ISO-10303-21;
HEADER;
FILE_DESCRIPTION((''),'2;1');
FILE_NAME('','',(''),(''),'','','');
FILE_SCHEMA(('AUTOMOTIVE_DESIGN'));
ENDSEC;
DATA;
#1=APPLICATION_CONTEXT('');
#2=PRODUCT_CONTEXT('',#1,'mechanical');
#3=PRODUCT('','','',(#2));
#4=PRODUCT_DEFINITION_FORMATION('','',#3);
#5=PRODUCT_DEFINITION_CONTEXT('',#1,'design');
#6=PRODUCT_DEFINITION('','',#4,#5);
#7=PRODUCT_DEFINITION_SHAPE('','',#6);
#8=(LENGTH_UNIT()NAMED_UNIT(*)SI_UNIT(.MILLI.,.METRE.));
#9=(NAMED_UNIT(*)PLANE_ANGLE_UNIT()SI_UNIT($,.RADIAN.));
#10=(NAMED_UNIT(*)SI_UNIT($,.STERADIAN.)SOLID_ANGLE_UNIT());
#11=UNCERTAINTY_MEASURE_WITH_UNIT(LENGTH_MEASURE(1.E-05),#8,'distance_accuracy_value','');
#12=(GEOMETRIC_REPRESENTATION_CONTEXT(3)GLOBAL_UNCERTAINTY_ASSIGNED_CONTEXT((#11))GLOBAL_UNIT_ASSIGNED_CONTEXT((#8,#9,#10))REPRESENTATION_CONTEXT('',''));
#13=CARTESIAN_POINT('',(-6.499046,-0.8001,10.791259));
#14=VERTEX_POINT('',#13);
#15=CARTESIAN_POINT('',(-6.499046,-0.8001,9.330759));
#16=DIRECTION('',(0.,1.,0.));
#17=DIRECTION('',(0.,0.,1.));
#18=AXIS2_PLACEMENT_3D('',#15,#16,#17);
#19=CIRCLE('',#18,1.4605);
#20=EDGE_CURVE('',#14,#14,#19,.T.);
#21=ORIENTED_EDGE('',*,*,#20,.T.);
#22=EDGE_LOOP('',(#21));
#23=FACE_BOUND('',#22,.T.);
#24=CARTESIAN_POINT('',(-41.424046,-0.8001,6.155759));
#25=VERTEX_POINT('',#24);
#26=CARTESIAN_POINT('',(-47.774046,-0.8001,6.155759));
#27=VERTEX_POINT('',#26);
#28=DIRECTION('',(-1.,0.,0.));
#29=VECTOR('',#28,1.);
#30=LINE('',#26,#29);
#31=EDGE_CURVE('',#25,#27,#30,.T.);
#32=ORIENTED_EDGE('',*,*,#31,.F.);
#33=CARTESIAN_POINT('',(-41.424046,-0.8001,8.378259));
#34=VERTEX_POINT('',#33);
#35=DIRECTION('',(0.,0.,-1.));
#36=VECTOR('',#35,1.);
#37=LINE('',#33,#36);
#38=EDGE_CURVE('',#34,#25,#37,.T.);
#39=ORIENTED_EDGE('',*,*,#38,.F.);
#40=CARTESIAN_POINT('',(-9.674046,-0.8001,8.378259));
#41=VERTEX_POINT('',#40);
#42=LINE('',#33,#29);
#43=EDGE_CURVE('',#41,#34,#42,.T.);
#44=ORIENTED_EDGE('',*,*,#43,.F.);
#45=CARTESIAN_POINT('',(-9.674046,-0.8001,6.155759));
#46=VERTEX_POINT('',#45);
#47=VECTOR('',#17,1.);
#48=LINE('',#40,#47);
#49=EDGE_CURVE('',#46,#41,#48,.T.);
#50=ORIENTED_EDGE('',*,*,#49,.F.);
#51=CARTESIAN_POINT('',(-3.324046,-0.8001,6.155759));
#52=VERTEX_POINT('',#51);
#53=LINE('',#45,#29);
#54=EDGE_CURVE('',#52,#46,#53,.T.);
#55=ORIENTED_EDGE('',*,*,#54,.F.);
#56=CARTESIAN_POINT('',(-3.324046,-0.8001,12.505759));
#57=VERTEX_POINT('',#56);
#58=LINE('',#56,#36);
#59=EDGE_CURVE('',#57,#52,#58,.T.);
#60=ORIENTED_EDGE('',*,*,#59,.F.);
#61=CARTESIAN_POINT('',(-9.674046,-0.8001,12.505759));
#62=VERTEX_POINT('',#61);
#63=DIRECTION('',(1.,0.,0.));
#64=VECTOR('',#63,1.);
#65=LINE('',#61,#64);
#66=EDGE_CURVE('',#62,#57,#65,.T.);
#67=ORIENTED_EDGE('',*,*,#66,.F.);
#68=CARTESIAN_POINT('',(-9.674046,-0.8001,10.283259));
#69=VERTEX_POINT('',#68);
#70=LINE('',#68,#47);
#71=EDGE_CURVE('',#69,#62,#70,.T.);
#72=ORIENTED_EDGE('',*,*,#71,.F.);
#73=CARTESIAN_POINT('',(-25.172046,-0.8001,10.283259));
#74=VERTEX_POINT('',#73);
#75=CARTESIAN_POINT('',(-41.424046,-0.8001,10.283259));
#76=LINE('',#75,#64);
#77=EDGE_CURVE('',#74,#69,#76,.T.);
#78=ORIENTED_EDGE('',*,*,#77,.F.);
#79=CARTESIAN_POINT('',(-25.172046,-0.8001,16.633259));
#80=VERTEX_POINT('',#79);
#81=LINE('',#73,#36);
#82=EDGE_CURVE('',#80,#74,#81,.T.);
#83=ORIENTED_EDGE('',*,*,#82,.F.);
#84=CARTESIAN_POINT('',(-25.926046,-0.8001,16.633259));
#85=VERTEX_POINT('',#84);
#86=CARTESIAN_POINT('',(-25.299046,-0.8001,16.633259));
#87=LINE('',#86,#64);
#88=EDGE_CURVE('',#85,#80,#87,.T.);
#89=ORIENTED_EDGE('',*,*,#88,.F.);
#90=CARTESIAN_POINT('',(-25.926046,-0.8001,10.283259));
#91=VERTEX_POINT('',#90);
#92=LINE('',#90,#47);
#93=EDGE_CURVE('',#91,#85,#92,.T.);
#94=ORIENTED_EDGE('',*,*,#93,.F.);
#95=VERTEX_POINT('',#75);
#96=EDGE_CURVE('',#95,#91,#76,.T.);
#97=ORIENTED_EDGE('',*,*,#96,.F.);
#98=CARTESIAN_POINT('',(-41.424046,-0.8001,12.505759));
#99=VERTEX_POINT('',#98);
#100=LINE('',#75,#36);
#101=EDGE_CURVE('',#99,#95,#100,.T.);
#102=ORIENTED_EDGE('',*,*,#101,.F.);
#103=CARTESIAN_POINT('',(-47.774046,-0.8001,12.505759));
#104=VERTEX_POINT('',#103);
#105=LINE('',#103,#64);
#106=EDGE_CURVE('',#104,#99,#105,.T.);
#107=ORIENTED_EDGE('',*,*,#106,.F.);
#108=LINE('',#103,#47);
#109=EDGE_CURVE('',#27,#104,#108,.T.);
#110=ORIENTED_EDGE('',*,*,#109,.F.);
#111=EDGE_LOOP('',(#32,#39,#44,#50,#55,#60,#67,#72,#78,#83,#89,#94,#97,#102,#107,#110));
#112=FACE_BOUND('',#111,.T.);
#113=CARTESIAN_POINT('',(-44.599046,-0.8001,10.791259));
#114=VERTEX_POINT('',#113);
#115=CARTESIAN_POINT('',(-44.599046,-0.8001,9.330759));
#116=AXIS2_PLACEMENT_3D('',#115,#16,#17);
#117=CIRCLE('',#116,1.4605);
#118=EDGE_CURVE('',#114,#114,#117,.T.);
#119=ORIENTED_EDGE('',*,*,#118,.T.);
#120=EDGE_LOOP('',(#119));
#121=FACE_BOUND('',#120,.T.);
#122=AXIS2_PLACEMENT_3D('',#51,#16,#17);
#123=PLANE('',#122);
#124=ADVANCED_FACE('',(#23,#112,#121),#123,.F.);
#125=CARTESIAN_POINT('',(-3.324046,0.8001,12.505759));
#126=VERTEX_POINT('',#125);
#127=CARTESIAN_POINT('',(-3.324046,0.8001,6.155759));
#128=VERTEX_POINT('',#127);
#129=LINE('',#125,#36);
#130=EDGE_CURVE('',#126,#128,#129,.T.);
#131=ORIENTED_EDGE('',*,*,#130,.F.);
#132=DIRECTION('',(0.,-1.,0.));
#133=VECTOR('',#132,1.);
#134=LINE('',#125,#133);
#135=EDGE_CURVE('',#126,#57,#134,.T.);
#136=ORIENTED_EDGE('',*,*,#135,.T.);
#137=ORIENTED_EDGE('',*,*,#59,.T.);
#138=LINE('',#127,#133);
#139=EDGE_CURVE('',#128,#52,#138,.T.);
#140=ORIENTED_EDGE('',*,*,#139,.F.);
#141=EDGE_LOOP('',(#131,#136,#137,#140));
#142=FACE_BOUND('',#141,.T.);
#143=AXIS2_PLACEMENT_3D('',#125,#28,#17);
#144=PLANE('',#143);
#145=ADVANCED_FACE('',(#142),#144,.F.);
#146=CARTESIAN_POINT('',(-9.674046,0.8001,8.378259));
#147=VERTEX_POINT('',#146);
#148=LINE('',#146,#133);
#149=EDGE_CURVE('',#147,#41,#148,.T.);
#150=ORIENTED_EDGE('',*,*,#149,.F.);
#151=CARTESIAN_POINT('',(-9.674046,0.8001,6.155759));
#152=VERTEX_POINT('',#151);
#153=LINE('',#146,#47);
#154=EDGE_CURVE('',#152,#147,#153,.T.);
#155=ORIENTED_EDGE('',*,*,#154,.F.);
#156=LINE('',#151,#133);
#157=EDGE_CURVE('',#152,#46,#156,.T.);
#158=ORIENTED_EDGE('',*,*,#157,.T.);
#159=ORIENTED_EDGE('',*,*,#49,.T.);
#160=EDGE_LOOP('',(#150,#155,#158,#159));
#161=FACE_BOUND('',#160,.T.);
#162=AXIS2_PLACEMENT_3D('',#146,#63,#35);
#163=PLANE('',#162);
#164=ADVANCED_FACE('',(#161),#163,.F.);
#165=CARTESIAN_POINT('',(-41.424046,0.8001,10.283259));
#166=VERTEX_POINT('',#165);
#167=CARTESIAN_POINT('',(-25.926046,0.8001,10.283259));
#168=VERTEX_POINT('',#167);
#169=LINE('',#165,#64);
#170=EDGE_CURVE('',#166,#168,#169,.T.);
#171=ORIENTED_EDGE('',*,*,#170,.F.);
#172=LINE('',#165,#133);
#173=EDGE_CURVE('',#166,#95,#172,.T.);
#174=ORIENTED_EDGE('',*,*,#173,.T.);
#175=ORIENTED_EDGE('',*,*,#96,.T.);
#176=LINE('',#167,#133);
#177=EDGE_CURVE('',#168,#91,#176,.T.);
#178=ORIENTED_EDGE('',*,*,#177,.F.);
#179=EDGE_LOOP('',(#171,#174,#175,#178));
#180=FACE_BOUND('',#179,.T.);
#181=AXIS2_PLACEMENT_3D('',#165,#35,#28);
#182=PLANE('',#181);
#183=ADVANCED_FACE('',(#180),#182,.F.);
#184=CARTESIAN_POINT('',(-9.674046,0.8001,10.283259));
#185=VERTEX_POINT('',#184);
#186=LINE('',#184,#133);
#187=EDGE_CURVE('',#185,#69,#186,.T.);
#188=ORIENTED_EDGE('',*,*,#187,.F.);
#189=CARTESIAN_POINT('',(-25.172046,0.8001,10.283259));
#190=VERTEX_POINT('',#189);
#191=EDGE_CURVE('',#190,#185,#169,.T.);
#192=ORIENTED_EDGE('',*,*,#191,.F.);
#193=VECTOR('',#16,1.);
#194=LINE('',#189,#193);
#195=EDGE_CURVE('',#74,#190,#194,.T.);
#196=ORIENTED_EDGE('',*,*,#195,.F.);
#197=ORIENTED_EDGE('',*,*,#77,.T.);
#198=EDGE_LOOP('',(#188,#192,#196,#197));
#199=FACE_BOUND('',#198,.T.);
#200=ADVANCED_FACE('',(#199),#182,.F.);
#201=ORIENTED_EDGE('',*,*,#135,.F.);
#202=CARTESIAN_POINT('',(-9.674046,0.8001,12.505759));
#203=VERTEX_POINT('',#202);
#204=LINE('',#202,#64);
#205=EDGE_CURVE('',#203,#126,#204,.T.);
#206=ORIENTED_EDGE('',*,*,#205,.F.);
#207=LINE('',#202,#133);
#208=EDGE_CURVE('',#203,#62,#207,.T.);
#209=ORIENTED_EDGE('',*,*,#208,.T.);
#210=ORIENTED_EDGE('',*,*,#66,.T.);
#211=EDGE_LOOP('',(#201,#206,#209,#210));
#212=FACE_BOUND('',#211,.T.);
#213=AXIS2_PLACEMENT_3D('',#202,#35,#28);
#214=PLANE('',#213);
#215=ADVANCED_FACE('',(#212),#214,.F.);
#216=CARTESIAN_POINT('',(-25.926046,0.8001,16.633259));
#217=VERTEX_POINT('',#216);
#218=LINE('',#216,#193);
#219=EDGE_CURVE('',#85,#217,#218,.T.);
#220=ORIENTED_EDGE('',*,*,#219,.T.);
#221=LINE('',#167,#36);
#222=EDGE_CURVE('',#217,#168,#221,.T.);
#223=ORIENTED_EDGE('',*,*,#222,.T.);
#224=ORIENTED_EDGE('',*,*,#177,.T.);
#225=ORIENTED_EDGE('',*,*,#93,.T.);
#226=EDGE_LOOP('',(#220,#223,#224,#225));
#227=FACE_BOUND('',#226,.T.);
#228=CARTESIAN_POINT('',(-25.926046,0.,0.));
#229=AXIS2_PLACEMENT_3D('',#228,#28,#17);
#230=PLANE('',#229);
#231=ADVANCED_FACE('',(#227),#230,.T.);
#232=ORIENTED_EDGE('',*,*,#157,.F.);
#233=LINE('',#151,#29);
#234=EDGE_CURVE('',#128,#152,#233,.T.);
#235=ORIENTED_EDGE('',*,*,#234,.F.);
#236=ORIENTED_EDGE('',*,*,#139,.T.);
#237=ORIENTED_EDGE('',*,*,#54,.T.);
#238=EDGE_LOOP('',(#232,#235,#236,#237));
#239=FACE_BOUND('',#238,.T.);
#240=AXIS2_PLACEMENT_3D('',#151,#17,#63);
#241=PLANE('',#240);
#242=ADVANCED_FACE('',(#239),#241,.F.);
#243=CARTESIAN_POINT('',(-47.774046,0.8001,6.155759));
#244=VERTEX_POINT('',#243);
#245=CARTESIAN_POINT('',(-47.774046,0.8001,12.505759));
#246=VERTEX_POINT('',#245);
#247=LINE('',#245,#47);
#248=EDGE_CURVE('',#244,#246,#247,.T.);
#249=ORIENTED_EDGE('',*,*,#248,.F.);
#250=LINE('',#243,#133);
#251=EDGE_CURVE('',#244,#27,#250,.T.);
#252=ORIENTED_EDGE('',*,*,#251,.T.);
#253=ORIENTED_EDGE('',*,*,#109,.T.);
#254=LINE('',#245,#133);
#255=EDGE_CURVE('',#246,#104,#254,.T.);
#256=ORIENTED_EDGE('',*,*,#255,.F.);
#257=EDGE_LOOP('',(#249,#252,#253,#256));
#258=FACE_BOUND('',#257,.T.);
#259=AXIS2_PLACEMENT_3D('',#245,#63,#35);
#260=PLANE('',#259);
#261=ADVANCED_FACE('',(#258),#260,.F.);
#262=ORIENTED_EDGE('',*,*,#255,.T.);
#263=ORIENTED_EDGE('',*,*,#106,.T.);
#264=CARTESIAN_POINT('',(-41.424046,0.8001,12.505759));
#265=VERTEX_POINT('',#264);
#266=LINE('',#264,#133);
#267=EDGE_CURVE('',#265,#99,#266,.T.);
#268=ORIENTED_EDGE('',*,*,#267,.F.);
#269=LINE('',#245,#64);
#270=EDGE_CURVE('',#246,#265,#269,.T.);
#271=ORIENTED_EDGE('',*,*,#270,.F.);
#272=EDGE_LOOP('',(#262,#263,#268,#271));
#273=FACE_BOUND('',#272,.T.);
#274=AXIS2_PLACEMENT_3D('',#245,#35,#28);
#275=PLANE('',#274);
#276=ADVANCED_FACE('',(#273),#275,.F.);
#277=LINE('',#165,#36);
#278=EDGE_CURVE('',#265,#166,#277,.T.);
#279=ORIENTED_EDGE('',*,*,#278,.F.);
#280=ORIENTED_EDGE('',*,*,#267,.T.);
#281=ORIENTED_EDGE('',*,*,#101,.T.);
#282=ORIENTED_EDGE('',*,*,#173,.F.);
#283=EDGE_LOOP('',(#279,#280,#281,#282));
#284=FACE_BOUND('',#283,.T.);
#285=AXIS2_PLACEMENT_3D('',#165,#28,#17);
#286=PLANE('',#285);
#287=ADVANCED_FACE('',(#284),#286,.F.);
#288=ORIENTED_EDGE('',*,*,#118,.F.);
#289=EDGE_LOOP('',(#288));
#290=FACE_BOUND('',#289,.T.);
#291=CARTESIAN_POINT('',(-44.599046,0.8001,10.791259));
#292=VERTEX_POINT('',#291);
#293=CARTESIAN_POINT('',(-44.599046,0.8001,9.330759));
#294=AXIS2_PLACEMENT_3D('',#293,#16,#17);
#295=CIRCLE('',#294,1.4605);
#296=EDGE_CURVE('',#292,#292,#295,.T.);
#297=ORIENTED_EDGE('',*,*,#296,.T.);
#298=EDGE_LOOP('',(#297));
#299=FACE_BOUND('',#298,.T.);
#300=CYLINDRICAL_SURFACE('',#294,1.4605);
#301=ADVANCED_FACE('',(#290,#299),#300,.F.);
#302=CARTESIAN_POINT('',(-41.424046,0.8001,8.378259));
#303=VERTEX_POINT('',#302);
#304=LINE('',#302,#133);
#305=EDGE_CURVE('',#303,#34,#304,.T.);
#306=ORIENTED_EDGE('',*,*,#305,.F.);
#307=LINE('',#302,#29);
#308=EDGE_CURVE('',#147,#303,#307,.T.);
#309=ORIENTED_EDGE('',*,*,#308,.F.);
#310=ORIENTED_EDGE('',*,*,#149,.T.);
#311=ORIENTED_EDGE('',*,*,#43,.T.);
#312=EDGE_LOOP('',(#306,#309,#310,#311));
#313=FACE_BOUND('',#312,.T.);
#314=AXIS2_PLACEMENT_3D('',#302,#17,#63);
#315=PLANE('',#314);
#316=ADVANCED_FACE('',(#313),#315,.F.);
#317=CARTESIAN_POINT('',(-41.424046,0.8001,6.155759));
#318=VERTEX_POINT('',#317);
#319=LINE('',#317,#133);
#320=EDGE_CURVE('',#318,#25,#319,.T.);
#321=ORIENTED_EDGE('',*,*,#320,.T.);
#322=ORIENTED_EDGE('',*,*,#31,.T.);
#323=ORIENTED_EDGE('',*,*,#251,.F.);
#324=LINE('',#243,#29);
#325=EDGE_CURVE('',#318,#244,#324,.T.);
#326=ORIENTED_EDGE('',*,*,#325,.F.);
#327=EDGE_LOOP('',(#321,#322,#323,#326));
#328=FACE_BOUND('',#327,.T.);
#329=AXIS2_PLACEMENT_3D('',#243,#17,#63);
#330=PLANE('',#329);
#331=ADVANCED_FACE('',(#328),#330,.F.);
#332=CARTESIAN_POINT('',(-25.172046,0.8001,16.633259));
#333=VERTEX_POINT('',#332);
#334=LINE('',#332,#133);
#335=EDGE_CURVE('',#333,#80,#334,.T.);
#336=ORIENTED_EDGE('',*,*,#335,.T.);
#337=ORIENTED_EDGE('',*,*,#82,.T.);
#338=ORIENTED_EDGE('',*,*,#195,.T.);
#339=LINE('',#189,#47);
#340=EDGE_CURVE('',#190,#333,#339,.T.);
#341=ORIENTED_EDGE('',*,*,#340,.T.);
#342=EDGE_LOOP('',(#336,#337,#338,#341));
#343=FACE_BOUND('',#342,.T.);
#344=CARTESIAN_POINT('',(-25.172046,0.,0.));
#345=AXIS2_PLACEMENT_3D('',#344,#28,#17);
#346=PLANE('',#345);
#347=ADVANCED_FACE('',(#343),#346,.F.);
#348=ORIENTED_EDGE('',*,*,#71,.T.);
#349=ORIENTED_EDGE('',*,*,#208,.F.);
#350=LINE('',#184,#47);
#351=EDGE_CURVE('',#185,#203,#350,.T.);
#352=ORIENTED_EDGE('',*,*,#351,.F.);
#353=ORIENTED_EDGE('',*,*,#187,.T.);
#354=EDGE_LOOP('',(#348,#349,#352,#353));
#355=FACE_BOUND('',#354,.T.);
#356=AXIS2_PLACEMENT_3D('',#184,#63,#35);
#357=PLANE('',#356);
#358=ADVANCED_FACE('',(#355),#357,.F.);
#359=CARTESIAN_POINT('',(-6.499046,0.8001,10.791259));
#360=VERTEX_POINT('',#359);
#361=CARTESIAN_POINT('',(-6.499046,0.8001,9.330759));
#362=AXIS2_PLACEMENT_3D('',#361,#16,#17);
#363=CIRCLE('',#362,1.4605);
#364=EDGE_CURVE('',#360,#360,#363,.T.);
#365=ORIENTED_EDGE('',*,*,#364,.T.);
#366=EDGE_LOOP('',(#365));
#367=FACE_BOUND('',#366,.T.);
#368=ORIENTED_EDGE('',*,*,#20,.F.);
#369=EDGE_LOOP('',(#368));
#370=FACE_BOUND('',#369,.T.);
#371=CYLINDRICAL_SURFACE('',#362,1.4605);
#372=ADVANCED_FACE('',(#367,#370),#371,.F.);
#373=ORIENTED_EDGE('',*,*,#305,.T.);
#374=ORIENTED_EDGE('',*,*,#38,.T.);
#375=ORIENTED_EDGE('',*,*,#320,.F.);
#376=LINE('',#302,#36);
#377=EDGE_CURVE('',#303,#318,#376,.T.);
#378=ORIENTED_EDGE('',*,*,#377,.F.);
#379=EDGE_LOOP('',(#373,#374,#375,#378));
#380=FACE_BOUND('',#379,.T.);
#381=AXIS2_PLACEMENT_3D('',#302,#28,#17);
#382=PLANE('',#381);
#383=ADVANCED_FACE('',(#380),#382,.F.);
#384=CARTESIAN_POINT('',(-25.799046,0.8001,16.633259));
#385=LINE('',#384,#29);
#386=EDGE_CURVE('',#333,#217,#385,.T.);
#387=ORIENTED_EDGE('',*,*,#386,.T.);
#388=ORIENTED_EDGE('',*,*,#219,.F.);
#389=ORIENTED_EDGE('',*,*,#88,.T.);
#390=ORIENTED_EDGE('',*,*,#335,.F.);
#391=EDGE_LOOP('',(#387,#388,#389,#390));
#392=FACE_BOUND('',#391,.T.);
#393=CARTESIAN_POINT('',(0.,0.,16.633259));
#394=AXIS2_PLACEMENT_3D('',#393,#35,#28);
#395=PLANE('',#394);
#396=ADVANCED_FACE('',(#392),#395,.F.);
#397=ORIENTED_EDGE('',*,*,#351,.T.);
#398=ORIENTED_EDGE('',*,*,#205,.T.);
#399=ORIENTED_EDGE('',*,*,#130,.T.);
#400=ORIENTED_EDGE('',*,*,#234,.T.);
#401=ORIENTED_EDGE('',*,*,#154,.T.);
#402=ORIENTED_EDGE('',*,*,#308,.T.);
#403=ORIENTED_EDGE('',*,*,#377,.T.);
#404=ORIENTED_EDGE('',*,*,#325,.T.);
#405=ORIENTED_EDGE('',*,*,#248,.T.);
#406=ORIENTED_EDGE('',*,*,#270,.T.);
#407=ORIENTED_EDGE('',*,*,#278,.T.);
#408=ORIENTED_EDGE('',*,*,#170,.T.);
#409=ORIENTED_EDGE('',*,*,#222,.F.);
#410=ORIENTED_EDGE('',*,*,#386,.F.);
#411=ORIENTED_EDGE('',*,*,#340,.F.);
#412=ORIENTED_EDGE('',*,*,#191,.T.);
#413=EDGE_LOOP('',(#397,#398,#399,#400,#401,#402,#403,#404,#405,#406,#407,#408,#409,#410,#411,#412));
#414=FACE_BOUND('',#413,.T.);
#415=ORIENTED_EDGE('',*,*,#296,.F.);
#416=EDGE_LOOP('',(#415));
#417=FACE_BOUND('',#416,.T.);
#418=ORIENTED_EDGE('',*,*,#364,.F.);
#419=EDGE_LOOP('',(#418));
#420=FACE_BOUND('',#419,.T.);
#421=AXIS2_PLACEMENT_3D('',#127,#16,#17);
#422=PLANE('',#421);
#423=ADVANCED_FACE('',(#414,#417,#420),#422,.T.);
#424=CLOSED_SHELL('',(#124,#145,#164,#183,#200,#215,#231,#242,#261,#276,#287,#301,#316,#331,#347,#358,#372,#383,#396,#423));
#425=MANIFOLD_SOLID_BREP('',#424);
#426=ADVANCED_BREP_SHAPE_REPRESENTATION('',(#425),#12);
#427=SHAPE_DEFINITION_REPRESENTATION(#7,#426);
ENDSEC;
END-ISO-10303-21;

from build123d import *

# Parameters (mm, degrees)
BOSS_EXTRUDE1_DEPTH          = 0.8001
F_97_0_0059_DIAMETER_HOLE1_D = 2.921
SKETCH7_W                    = 0.500000016
SKETCH7_H                    = 1.6002
BOSS_EXTRUDE2_DEPTH          = 6.35
SKETCH11_W                   = 6.35
SKETCH11_H                   = 1.6002
BOSS_EXTRUDE3_DEPTH          = 0.127
SKETCH12_W                   = 6.35
SKETCH12_H                   = 1.6002
BOSS_EXTRUDE4_DEPTH          = 0.127


with BuildPart() as part:
    # Sketch1 → Boss-Extrude1 (new, symmetric)
    with BuildSketch(Plane(origin=(0, 0, 0), x_dir=(1, 0, 0), z_dir=(0, 1, 0))):
        Polygon((-41.424046485, -10.283259465), (-41.424046485, -12.505759465), (-47.774046485, -12.505759465), (-47.774046485, -6.155759465), (-41.424046485, -6.155759465), (-41.424046485, -8.378259465), (-9.674046485, -8.378259465), (-9.674046485, -6.155759465), (-3.324046485, -6.155759465), (-3.324046485, -12.505759465), (-9.674046485, -12.505759465), (-9.674046485, -10.283259465), align=None)
    extrude(amount=BOSS_EXTRUDE1_DEPTH, both=True)

    # #97 (0.0059) Diameter Hole1 (through all)
    with Locations(Plane(origin=(0, 0.8001, 0), x_dir=(-1, 0, 0), z_dir=(0, 1, 0))):
        with Locations((44.599046485, 9.330759465)):
            f_97_0_0059_diameter_hole1 = Hole(F_97_0_0059_DIAMETER_HOLE1_D / 2)

    # Mirror1: #97 (0.0059) Diameter Hole1 across plane
    add(f_97_0_0059_diameter_hole1.mirror(Plane(origin=(-25.549046485, 0, 0), x_dir=(0, 0, 1), z_dir=(1, 0, 0))), mode=Mode.SUBTRACT)

    # Sketch7 → Boss-Extrude2 (add)
    with BuildSketch(Plane.XY.offset(10.283259465)):
        with Locations((-25.549046485, 0)):
            Rectangle(SKETCH7_W, SKETCH7_H)
    extrude(amount=BOSS_EXTRUDE2_DEPTH)

    # Sketch11 → Boss-Extrude3 (add)
    with BuildSketch(Plane.ZY.offset(25.799046493)):
        with Locations((13.458259465, 0)):
            Rectangle(SKETCH11_W, SKETCH11_H)
    extrude(amount=BOSS_EXTRUDE3_DEPTH)

    # Sketch12 → Boss-Extrude4 (add)
    with BuildSketch(Plane(origin=(-25.299046477, 0, 0), x_dir=(0, 0, -1), z_dir=(1, 0, 0))):
        with Locations((-13.458259465, 0)):
            Rectangle(SKETCH12_W, SKETCH12_H)
    extrude(amount=BOSS_EXTRUDE4_DEPTH)


solid = part.part
